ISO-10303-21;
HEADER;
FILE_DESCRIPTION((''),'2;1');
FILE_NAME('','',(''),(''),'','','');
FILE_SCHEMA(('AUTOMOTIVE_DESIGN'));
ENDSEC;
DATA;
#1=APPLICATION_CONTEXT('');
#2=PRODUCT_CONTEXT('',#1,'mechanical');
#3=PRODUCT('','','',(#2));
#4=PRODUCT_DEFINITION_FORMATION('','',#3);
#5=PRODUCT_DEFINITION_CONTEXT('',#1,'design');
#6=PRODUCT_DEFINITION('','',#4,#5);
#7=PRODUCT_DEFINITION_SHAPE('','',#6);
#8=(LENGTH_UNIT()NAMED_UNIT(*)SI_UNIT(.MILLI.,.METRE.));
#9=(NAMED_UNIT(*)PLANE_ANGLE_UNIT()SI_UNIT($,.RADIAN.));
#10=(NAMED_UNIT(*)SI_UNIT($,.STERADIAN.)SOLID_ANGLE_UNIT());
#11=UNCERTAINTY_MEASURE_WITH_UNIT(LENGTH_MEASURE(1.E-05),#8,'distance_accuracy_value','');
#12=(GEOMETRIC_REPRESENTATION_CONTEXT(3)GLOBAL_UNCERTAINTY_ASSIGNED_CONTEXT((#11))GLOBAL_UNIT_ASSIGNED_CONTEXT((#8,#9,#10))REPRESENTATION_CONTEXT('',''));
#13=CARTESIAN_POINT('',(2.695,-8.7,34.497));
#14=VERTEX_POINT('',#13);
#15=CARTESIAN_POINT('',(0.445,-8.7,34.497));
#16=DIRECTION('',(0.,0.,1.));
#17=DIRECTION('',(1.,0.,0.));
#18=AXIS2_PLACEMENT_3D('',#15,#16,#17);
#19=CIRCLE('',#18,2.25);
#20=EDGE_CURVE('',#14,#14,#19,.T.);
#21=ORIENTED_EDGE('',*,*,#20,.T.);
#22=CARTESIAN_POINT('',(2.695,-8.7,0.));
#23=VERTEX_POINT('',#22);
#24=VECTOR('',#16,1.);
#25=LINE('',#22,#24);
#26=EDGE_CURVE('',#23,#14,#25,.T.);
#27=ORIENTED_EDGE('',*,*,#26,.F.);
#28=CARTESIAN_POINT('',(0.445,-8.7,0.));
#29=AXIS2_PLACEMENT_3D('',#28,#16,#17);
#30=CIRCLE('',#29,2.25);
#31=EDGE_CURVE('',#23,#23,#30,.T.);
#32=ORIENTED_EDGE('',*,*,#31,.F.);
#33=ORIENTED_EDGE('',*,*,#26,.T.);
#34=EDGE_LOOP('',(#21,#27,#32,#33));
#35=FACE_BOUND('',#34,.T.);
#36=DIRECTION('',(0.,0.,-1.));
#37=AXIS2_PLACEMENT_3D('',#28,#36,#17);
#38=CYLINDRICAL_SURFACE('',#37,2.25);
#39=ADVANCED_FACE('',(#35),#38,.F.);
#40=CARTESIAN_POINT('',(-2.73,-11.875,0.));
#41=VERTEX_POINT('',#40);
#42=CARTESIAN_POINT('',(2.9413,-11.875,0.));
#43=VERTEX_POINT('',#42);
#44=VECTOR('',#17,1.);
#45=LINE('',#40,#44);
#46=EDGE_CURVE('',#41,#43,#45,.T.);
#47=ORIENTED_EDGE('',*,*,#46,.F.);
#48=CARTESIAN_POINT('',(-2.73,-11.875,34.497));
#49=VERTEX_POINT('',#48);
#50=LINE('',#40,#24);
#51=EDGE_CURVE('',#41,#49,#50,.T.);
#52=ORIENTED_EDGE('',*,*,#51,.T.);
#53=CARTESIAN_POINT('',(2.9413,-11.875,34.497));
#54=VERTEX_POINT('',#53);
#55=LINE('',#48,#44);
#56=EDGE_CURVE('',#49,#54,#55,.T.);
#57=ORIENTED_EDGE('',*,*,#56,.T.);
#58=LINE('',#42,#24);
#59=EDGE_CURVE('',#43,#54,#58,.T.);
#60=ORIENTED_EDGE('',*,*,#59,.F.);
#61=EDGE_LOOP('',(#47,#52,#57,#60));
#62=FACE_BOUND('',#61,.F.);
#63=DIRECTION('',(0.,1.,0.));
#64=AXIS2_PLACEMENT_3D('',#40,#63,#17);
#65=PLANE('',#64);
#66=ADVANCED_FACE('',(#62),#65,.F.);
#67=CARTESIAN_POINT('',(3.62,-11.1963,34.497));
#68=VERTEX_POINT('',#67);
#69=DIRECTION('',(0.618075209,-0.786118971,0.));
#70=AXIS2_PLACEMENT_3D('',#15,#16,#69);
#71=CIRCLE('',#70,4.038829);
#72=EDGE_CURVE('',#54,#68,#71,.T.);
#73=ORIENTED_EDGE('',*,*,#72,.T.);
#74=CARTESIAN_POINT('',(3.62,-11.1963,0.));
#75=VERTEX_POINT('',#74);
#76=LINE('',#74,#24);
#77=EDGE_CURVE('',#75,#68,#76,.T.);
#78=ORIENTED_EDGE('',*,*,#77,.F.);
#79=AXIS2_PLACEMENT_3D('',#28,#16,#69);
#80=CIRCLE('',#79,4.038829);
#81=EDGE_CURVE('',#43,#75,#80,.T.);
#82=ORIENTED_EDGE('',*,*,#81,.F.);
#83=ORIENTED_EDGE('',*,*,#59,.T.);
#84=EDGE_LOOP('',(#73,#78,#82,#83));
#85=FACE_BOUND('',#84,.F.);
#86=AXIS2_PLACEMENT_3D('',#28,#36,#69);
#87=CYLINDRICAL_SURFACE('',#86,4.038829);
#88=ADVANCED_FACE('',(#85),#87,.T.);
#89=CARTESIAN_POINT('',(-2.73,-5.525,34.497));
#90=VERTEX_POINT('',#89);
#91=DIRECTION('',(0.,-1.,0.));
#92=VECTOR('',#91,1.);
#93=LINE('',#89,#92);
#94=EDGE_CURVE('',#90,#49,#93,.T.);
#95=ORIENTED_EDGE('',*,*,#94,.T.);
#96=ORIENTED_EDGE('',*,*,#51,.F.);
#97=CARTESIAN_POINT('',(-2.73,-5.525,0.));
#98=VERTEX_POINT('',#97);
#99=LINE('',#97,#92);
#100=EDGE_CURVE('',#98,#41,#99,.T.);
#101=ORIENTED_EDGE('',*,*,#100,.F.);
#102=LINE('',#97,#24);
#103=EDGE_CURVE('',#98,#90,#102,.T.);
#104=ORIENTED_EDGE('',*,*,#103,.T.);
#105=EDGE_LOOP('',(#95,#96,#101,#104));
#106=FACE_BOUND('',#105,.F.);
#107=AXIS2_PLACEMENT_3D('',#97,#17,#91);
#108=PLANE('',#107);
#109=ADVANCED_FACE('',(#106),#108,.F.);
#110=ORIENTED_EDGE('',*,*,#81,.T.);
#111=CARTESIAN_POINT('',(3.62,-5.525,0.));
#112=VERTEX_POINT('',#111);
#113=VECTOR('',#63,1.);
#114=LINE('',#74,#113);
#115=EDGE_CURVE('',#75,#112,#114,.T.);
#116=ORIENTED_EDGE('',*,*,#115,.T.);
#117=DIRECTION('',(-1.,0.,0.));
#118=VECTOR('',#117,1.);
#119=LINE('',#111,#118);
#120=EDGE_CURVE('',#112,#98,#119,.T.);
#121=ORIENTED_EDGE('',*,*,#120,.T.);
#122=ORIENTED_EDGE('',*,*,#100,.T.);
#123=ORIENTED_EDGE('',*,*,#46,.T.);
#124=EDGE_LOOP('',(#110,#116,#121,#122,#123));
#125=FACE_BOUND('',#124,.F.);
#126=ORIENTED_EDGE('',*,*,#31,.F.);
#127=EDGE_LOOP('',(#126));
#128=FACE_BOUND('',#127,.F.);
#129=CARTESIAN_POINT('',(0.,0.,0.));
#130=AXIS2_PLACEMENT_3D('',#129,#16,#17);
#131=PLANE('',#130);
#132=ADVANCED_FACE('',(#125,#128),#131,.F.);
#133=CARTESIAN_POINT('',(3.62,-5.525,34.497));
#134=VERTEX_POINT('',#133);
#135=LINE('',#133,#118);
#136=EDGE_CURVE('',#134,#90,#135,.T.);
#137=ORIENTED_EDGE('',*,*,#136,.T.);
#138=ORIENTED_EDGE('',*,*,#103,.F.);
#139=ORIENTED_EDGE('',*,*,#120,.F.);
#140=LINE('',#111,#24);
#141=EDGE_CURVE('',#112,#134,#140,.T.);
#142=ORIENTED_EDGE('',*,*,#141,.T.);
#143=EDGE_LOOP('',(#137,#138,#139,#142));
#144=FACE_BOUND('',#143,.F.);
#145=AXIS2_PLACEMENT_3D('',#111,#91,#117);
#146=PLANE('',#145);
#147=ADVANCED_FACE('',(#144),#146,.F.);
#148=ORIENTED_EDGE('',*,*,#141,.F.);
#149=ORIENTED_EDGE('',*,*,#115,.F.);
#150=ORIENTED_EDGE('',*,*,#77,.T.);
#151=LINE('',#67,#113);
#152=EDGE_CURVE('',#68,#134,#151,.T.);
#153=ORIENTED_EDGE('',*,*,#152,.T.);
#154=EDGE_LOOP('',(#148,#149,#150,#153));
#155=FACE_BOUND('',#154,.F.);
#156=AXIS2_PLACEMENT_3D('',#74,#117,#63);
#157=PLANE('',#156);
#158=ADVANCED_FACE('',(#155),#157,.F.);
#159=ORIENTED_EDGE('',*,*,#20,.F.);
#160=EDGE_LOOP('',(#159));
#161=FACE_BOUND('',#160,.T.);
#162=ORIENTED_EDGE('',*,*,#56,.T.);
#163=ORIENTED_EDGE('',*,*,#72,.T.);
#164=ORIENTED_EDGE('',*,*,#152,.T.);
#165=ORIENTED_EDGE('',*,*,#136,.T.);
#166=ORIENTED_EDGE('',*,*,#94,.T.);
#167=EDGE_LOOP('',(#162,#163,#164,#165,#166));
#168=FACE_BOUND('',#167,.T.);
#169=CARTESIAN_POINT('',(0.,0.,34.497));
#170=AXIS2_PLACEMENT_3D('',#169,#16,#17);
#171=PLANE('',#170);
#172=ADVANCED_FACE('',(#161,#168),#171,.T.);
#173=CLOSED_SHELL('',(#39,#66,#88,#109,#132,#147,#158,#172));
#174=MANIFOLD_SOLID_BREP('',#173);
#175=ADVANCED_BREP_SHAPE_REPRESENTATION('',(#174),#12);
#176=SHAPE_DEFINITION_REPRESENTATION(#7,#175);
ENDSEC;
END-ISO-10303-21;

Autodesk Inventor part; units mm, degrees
ref_plane "YZ Plane" through (0, 0, 0) normal (1, 0, 0) x (0, 1, 0)
ref_plane "XZ Plane" through (0, 0, 0) normal (0, 1, 0) x (-1, 0, 0)
ref_plane "Work Plane1" through (0, 0, 0) normal (0, 0, 1) x (1, 0, 0)
sketch "Sketch1" plane through (0, 0, 0) normal (0, 0, 1) x (1, 0, 0)
  circle A0 centre (0.445, -8.7) radius 2.25 construction
  circle A1 centre (0.445, -8.7) radius 2.25
  line L0 (3.62, -5.525) -> (-2.73, -5.525)
  line L1 (-2.73, -5.525) -> (-2.73, -11.875)
  line L2 (3.62, -5.525) -> (-2.73, -11.875) construction
  arc A2 (1.27, -12.7) -> (4.445, -9.525) centre (1.27, -9.525) ccw construction
  arc A3 (2.9413, -11.875) -> (3.62, -11.1963) centre (0.445, -8.7) ccw
  line L3 (3.62, -11.1963) -> (3.62, -5.525)
  line L4 (-2.73, -11.875) -> (2.9413, -11.875)
  point P0 (0, 0)
  dimension "d1" = 6.35
ref_plane "Work Plane2" through (-350.7586, -218.6666, 34.497) normal (0, 0, -1) x (-0.0253, 0.9997, 0)
extrude "Extrusion1" add sketch "Sketch1" along normal up to surface (34.497 mm away)
properties part number "odometry standoff"
